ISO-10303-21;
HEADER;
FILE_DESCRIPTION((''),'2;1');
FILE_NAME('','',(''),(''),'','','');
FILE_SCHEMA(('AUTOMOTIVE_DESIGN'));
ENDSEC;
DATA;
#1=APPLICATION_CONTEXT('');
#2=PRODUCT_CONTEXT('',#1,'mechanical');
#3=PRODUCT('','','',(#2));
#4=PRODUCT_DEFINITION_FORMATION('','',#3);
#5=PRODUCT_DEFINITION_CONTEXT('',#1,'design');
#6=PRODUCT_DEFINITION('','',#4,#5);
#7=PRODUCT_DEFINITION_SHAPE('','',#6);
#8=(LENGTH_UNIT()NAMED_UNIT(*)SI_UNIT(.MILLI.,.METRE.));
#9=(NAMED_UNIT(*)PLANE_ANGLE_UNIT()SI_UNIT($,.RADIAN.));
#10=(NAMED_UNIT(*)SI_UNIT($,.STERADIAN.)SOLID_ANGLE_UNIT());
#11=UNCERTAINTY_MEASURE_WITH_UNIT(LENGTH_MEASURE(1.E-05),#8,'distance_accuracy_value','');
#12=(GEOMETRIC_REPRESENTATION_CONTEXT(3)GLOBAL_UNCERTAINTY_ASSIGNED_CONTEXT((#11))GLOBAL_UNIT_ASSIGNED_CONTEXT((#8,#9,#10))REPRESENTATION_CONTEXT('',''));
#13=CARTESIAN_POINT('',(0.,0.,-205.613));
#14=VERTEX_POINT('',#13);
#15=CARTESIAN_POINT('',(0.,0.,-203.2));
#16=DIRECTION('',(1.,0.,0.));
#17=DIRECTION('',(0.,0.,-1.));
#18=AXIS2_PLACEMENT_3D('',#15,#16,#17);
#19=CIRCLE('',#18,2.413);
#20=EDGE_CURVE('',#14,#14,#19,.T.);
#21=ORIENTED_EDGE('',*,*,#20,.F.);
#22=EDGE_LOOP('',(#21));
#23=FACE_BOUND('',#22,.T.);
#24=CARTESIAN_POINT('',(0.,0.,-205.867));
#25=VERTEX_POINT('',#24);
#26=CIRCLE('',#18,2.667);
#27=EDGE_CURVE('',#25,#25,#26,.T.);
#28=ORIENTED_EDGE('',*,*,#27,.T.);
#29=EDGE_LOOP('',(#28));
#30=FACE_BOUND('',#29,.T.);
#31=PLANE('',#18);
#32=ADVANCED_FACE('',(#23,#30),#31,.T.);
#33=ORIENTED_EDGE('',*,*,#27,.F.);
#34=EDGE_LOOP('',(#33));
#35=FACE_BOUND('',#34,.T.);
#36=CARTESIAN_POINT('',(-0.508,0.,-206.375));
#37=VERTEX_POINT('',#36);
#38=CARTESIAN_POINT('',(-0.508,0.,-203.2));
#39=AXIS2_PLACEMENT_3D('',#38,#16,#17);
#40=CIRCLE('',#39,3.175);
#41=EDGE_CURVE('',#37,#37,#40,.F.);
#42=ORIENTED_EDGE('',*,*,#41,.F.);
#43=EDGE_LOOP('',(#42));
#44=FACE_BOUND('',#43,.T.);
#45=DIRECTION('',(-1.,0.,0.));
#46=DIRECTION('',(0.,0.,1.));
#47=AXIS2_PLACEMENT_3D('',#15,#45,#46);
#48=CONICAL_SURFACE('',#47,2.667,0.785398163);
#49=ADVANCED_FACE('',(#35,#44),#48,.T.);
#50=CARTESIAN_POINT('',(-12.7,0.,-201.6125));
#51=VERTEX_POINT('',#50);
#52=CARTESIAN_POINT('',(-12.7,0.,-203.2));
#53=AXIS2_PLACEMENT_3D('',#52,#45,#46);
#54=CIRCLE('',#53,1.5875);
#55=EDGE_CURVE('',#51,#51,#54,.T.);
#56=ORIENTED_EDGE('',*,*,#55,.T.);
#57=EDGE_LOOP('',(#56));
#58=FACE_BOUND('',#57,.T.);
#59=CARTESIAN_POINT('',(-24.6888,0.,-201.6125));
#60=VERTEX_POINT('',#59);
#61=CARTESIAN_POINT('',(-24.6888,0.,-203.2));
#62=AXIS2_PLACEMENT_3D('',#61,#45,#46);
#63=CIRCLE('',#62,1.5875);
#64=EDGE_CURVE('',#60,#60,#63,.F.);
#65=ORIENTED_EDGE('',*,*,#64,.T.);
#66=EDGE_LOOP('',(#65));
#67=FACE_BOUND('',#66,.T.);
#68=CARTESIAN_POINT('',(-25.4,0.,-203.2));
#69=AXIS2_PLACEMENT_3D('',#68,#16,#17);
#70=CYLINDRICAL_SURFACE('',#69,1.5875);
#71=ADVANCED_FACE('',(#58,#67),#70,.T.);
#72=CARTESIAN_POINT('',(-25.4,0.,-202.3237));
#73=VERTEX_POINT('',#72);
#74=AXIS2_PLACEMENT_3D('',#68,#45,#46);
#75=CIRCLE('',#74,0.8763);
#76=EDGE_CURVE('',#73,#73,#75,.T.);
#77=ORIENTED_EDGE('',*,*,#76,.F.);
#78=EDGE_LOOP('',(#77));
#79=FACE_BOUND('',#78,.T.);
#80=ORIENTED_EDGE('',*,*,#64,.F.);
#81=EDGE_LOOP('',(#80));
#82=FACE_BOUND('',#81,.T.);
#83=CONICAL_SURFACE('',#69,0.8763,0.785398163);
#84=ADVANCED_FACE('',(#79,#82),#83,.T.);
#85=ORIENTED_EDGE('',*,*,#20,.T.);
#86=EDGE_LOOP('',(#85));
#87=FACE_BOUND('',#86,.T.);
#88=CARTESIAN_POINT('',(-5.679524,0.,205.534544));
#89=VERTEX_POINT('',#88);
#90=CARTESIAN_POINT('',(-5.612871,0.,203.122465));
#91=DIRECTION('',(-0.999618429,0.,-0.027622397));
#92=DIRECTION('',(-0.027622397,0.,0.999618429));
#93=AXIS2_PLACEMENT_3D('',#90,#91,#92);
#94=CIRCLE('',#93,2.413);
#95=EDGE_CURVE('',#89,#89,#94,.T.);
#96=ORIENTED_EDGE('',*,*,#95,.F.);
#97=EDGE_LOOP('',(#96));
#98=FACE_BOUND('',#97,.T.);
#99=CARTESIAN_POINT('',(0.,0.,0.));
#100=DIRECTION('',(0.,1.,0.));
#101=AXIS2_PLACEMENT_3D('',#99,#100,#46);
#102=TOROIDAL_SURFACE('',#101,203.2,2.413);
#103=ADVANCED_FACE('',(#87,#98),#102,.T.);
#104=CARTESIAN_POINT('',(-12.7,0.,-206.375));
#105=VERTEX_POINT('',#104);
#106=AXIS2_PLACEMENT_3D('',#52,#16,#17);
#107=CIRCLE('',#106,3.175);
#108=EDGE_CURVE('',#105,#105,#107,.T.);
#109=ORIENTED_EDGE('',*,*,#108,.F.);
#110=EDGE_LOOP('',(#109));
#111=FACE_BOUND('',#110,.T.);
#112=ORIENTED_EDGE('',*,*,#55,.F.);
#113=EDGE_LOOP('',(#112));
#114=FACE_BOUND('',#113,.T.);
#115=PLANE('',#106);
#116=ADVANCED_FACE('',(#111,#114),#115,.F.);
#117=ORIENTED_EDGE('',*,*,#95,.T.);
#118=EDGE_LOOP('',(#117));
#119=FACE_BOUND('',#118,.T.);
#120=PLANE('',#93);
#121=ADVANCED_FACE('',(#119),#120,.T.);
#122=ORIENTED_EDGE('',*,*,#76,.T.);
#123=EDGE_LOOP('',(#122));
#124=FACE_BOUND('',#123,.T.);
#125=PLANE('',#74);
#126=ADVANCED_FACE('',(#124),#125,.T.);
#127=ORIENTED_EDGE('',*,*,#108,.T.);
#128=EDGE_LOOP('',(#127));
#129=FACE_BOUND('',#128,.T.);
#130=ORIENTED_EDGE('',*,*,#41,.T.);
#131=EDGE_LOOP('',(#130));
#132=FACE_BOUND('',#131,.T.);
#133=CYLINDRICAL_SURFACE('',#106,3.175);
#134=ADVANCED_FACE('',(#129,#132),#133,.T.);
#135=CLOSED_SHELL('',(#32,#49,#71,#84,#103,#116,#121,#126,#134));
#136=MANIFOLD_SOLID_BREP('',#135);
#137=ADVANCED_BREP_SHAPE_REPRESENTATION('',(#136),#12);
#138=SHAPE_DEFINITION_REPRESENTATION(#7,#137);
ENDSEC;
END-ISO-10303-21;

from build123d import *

# Parameters (mm, degrees)
SKETCH2_R           = 2.413
SKETCH3_R           = 3.175
BOSS_EXTRUDE1_DEPTH = 12.7
CHAMFER1_SIZE       = 0.508
SKETCH4_R           = 1.5875
BOSS_EXTRUDE2_DEPTH = 12.7
CHAMFER2_SIZE       = 0.7112


with BuildPart() as part:
    # Sweep1: sweep along a path in Sketch1
    with BuildLine(Plane(origin=(0, 0, 0), x_dir=(1, 0, 0), z_dir=(0, 1, 0))) as sweep1_path:
        ThreePointArc((-5.61287115, -203.122464729), (203.180615258, -2.806703327), (0, 203.2))
    # Sketch2 → Sweep1 (sweep)
    with BuildSketch(Plane(origin=(0, 0, 0), x_dir=(0, 0, -1), z_dir=(1, 0, 0))):
        with Locations((203.2, 0)):
            Circle(SKETCH2_R)
    sweep(path=sweep1_path.line)

    # Sketch3 → Boss-Extrude1 (add)
    with BuildSketch(Plane(origin=(0, 0, 0), x_dir=(0, 0, -1), z_dir=(1, 0, 0))):
        with Locations((203.2, 0)):
            Circle(SKETCH3_R)
    extrude(amount=-BOSS_EXTRUDE1_DEPTH)

    # Chamfer1
    chamfer1_edges = [part.edges().sort_by_distance(p)[0] for p in [
        (0, 0, -200.025),
    ]]
    chamfer(chamfer1_edges, length=CHAMFER1_SIZE)

    # Sketch4 → Boss-Extrude2 (add)
    with BuildSketch(Plane.ZY.offset(12.7)):
        with Locations((-203.2, 0)):
            Circle(SKETCH4_R)
    extrude(amount=BOSS_EXTRUDE2_DEPTH)

    # Chamfer2
    chamfer2_edges = [part.edges().sort_by_distance(p)[0] for p in [
        (-25.4, 0, -204.7875),
    ]]
    chamfer(chamfer2_edges, length=CHAMFER2_SIZE)


solid = part.part
